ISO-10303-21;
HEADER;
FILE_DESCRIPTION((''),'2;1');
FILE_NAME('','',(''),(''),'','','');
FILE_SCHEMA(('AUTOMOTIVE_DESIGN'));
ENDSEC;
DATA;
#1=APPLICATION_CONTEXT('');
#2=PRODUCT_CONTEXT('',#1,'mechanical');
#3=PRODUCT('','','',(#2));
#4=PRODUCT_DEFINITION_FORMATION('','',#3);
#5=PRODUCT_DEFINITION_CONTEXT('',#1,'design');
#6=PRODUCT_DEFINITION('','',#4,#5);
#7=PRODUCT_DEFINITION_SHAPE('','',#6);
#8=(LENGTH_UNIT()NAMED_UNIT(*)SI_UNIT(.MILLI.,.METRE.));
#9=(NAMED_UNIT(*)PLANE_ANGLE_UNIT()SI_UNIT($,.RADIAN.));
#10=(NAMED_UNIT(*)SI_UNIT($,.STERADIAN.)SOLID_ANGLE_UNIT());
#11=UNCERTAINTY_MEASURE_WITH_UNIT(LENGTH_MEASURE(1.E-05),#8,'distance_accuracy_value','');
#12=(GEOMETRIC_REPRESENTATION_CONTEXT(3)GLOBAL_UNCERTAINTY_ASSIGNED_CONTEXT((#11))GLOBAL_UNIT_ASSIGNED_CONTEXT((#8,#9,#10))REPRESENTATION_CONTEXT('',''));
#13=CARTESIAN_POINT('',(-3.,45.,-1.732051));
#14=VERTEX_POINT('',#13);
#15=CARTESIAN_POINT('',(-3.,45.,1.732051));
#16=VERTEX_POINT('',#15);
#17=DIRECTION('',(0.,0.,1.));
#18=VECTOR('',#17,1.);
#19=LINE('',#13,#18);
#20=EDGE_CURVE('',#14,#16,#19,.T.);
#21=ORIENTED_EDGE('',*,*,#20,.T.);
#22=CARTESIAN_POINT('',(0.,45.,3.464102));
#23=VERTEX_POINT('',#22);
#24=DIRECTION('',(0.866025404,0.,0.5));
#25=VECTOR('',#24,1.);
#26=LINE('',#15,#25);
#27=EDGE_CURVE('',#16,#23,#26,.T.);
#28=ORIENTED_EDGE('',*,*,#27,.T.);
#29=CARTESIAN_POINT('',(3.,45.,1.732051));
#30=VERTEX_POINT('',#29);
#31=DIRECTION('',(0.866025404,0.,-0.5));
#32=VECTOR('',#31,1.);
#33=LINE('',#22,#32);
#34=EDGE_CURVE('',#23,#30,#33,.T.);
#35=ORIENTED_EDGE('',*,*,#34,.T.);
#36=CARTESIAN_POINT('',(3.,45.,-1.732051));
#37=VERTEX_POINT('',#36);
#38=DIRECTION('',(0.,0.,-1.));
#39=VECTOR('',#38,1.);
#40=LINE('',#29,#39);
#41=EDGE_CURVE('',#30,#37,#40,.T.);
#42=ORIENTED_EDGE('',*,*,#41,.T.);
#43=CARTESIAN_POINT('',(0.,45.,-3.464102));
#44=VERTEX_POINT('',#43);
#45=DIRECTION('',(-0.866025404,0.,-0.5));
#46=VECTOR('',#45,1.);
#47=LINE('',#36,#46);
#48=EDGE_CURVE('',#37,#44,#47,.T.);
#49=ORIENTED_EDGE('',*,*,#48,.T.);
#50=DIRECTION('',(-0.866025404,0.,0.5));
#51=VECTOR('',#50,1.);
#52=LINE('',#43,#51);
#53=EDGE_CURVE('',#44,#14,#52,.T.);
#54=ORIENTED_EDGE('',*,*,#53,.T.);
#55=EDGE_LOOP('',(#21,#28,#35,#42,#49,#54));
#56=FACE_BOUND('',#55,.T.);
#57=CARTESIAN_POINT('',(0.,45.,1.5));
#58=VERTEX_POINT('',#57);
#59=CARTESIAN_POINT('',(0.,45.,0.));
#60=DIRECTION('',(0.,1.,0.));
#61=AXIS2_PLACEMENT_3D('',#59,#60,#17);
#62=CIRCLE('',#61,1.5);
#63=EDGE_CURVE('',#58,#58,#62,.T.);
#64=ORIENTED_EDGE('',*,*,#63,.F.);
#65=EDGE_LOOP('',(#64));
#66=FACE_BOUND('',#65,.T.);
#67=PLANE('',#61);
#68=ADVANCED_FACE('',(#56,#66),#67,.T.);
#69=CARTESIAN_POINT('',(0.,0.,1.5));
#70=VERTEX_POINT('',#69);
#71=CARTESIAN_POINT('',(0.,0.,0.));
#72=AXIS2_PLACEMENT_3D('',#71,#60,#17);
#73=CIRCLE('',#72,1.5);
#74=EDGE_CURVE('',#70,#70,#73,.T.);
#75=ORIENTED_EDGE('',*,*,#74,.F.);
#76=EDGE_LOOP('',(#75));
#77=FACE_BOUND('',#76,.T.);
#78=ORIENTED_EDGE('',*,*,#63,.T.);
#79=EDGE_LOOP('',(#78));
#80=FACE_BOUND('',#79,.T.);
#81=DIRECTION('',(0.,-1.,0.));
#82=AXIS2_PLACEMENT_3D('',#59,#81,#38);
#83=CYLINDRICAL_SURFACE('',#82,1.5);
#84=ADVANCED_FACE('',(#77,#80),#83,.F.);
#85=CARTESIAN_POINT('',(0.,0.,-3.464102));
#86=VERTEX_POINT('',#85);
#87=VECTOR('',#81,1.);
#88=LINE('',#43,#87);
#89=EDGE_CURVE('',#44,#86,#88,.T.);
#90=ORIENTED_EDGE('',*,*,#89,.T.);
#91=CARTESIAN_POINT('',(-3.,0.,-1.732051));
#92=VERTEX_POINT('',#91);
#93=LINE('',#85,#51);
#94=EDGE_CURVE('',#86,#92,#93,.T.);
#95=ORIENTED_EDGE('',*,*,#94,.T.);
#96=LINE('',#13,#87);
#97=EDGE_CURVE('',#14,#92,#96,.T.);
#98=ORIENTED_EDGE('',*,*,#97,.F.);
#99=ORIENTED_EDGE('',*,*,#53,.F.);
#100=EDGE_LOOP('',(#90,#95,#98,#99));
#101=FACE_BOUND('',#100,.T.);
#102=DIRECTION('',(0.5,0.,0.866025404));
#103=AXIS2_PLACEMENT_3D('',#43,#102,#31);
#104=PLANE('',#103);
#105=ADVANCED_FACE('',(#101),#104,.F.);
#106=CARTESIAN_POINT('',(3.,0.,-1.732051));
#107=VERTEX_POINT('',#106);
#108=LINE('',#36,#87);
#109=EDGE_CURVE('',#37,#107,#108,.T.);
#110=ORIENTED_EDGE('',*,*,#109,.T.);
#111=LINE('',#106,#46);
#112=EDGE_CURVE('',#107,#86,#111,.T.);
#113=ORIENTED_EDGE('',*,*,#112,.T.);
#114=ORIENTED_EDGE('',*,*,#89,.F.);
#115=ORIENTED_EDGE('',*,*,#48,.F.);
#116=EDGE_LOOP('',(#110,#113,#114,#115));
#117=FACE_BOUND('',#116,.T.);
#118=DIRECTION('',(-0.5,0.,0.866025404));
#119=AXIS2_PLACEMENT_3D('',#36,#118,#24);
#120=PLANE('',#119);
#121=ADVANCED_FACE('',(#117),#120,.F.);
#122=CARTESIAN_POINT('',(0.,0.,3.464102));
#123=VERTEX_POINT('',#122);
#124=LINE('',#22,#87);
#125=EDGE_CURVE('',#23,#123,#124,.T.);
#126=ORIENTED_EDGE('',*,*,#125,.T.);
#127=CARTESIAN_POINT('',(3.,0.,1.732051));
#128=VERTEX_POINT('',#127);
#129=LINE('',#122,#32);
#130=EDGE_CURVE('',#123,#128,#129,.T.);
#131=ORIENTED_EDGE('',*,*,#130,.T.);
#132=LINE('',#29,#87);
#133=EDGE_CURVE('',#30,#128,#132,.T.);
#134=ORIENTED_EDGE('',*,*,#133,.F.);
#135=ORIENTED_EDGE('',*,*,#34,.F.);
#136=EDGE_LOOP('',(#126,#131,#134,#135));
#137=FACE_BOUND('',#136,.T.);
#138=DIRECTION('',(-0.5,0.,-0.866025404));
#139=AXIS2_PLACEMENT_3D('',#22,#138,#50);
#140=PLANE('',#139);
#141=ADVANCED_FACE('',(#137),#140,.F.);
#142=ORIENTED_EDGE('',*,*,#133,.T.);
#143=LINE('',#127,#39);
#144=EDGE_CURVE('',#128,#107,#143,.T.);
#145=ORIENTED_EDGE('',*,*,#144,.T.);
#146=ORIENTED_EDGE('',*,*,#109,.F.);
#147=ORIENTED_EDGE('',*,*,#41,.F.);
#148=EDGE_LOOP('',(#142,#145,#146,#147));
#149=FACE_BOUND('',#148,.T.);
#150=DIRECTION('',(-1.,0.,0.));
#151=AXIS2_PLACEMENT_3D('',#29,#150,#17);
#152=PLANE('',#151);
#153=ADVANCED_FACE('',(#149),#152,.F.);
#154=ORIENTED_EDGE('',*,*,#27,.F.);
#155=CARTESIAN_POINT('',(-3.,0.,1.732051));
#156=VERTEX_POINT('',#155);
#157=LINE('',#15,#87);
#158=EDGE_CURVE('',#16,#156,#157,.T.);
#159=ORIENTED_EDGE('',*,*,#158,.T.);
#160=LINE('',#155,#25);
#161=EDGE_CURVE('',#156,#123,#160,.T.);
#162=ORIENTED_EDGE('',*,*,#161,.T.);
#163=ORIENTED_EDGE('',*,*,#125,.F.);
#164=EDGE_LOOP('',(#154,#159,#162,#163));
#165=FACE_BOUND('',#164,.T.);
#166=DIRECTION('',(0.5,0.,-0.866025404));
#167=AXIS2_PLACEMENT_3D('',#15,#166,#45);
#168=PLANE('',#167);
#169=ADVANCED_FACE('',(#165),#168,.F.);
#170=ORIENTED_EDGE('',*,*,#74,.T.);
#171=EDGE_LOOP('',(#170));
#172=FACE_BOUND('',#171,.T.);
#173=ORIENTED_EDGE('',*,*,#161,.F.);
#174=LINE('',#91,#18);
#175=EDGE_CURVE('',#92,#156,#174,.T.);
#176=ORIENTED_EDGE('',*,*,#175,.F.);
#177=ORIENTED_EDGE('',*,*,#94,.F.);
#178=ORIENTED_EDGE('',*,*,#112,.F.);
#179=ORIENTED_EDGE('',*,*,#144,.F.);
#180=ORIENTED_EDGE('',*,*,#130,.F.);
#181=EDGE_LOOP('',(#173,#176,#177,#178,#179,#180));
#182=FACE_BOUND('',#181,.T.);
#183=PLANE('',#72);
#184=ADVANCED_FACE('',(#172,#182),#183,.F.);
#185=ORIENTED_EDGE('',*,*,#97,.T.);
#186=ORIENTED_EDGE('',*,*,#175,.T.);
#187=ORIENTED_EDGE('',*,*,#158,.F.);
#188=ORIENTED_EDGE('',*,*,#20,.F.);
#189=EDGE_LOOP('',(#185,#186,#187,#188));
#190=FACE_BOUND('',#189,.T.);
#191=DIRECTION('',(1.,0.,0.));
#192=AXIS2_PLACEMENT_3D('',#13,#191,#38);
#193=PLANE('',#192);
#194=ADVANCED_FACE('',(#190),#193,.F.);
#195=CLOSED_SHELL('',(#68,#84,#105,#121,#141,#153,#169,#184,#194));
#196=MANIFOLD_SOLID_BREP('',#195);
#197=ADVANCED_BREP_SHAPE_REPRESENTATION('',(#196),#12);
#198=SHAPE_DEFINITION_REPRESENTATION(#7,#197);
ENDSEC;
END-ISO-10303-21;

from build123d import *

# Parameters (mm, degrees)
SKETCH1_R           = 1.5
BOSS_EXTRUDE2_DEPTH = 45


with BuildPart() as part:
    # Sketch1 → Boss-Extrude2 (new body)
    with BuildSketch(Plane(origin=(0, 0, 0), x_dir=(1, 0, 0), z_dir=(0, 1, 0))):
        Polygon((3, -1.732050808), (3, 1.732050808), (0, 3.464101615), (-3, 1.732050808), (-3, -1.732050808), (0, -3.464101615), align=None)
        Circle(SKETCH1_R, mode=Mode.SUBTRACT)
    extrude(amount=BOSS_EXTRUDE2_DEPTH)


solid = part.part
